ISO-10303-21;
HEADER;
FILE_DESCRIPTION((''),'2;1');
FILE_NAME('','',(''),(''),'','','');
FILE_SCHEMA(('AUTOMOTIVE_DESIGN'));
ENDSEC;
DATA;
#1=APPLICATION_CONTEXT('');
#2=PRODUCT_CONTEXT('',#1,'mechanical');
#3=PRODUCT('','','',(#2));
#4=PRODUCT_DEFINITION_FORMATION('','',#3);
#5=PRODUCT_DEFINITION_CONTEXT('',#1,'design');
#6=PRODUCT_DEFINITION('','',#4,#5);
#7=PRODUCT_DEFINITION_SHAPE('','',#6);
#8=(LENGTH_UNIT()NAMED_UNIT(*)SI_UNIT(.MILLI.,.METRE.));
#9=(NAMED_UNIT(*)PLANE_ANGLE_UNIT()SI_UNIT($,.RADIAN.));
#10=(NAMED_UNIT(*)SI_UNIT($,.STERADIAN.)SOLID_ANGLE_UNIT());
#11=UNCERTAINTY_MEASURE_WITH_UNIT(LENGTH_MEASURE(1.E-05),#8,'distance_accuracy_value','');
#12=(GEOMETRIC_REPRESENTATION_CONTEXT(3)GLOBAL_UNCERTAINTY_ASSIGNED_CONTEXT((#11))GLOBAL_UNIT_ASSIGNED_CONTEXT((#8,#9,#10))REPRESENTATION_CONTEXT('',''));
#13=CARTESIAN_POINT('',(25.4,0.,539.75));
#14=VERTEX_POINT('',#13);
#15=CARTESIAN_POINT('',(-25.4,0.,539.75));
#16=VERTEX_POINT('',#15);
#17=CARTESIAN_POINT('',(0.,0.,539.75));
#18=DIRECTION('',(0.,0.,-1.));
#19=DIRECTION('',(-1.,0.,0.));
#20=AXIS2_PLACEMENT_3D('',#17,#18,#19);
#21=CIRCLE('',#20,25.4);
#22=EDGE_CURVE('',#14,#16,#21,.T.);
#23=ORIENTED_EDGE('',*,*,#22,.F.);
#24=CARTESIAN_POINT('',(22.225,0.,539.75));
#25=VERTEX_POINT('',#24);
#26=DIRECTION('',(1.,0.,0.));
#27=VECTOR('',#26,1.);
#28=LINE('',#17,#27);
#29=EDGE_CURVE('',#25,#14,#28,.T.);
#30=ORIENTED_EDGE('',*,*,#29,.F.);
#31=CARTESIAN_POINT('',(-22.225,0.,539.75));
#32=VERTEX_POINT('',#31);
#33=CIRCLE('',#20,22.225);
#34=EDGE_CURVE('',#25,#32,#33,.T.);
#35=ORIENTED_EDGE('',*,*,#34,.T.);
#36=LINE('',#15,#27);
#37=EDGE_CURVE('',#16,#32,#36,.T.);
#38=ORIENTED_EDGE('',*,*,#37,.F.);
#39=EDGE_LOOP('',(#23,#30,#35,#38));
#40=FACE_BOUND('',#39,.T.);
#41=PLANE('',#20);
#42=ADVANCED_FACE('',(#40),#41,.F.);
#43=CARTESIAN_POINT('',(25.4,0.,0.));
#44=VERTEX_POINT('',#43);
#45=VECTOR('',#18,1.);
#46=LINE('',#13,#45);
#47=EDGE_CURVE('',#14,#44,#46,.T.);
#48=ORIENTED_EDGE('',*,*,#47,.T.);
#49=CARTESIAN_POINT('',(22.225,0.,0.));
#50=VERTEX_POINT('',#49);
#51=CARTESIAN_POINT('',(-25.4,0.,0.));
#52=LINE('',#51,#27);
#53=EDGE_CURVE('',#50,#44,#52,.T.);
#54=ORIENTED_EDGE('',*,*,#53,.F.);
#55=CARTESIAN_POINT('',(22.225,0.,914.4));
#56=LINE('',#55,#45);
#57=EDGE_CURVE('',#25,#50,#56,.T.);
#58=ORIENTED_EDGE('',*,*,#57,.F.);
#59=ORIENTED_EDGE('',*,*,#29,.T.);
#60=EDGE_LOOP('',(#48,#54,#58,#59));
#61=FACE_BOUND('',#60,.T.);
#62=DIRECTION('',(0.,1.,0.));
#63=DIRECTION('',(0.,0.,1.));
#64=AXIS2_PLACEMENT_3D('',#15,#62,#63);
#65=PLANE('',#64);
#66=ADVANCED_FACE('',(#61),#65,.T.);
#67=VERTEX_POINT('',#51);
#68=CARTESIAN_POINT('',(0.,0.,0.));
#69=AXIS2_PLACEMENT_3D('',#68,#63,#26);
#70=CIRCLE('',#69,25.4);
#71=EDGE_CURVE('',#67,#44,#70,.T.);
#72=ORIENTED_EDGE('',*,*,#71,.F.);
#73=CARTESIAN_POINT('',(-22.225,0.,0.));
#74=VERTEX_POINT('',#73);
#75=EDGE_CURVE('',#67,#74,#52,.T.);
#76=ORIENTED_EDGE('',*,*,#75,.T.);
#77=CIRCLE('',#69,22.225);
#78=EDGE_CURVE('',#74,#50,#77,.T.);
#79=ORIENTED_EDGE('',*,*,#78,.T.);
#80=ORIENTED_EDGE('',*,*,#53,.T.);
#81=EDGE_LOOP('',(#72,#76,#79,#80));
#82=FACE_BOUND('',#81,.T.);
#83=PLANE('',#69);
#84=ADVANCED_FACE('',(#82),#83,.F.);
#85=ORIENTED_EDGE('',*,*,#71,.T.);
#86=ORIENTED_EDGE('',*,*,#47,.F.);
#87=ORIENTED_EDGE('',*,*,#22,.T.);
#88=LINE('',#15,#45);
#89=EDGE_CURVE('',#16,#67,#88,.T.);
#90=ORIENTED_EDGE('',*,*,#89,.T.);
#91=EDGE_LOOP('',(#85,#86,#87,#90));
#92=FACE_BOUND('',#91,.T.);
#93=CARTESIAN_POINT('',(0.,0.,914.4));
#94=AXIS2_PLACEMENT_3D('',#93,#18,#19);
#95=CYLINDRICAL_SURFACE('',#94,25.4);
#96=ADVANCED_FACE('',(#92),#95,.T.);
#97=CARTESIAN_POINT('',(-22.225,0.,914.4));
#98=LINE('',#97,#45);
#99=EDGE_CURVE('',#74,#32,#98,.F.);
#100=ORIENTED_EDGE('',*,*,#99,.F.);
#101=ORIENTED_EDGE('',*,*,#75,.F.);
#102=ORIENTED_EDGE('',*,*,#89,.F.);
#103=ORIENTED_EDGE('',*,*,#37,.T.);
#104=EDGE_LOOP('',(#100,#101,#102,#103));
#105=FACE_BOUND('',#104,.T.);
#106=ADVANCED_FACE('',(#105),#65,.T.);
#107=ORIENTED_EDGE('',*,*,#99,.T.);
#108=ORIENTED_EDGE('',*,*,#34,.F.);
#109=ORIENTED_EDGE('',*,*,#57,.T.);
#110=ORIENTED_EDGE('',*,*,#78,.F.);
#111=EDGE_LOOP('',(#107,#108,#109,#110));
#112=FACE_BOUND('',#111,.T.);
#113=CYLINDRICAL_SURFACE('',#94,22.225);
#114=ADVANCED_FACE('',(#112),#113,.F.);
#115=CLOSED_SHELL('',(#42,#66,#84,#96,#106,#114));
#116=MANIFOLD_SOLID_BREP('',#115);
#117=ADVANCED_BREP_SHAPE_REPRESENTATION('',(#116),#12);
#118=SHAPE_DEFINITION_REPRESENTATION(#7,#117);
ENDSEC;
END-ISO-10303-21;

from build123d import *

# Parameters (mm, degrees)
SKETCH1_R           = 25.4
SKETCH1_R_2         = 22.225
BOSS_EXTRUDE1_DEPTH = 914.4
CUT_EXTRUDE1_START  = -539.75
SKETCH2_R           = 25.4
CUT_EXTRUDE1_DEPTH  = 376.35528356
CUT_EXTRUDE3_DEPTH  = 541.943973531


with BuildPart() as part:
    # Sketch1 → Boss-Extrude1 (new body)
    with BuildSketch(Plane.XY):
        Circle(SKETCH1_R)
        Circle(SKETCH1_R_2, mode=Mode.SUBTRACT)
    extrude(amount=BOSS_EXTRUDE1_DEPTH)

    # Sketch2 → Cut-Extrude1 (cut, through all)
    with BuildSketch(Plane(origin=(0, 0, 0), x_dir=(-1, 0, 0), z_dir=(0, 0, -1)).offset(CUT_EXTRUDE1_START)):
        Circle(SKETCH2_R)
    extrude(amount=-CUT_EXTRUDE1_DEPTH, mode=Mode.SUBTRACT)

    # Sketch4 → Cut-Extrude3 (cut, through all)
    with BuildSketch(Plane.XY):
        with BuildLine():
            Line((-25.4, 0), (25.4, 0))
            ThreePointArc((25.4, 0), (0, 25.4), (-25.4, 0))
        make_face()
    extrude(amount=CUT_EXTRUDE3_DEPTH, mode=Mode.SUBTRACT)


solid = part.part
